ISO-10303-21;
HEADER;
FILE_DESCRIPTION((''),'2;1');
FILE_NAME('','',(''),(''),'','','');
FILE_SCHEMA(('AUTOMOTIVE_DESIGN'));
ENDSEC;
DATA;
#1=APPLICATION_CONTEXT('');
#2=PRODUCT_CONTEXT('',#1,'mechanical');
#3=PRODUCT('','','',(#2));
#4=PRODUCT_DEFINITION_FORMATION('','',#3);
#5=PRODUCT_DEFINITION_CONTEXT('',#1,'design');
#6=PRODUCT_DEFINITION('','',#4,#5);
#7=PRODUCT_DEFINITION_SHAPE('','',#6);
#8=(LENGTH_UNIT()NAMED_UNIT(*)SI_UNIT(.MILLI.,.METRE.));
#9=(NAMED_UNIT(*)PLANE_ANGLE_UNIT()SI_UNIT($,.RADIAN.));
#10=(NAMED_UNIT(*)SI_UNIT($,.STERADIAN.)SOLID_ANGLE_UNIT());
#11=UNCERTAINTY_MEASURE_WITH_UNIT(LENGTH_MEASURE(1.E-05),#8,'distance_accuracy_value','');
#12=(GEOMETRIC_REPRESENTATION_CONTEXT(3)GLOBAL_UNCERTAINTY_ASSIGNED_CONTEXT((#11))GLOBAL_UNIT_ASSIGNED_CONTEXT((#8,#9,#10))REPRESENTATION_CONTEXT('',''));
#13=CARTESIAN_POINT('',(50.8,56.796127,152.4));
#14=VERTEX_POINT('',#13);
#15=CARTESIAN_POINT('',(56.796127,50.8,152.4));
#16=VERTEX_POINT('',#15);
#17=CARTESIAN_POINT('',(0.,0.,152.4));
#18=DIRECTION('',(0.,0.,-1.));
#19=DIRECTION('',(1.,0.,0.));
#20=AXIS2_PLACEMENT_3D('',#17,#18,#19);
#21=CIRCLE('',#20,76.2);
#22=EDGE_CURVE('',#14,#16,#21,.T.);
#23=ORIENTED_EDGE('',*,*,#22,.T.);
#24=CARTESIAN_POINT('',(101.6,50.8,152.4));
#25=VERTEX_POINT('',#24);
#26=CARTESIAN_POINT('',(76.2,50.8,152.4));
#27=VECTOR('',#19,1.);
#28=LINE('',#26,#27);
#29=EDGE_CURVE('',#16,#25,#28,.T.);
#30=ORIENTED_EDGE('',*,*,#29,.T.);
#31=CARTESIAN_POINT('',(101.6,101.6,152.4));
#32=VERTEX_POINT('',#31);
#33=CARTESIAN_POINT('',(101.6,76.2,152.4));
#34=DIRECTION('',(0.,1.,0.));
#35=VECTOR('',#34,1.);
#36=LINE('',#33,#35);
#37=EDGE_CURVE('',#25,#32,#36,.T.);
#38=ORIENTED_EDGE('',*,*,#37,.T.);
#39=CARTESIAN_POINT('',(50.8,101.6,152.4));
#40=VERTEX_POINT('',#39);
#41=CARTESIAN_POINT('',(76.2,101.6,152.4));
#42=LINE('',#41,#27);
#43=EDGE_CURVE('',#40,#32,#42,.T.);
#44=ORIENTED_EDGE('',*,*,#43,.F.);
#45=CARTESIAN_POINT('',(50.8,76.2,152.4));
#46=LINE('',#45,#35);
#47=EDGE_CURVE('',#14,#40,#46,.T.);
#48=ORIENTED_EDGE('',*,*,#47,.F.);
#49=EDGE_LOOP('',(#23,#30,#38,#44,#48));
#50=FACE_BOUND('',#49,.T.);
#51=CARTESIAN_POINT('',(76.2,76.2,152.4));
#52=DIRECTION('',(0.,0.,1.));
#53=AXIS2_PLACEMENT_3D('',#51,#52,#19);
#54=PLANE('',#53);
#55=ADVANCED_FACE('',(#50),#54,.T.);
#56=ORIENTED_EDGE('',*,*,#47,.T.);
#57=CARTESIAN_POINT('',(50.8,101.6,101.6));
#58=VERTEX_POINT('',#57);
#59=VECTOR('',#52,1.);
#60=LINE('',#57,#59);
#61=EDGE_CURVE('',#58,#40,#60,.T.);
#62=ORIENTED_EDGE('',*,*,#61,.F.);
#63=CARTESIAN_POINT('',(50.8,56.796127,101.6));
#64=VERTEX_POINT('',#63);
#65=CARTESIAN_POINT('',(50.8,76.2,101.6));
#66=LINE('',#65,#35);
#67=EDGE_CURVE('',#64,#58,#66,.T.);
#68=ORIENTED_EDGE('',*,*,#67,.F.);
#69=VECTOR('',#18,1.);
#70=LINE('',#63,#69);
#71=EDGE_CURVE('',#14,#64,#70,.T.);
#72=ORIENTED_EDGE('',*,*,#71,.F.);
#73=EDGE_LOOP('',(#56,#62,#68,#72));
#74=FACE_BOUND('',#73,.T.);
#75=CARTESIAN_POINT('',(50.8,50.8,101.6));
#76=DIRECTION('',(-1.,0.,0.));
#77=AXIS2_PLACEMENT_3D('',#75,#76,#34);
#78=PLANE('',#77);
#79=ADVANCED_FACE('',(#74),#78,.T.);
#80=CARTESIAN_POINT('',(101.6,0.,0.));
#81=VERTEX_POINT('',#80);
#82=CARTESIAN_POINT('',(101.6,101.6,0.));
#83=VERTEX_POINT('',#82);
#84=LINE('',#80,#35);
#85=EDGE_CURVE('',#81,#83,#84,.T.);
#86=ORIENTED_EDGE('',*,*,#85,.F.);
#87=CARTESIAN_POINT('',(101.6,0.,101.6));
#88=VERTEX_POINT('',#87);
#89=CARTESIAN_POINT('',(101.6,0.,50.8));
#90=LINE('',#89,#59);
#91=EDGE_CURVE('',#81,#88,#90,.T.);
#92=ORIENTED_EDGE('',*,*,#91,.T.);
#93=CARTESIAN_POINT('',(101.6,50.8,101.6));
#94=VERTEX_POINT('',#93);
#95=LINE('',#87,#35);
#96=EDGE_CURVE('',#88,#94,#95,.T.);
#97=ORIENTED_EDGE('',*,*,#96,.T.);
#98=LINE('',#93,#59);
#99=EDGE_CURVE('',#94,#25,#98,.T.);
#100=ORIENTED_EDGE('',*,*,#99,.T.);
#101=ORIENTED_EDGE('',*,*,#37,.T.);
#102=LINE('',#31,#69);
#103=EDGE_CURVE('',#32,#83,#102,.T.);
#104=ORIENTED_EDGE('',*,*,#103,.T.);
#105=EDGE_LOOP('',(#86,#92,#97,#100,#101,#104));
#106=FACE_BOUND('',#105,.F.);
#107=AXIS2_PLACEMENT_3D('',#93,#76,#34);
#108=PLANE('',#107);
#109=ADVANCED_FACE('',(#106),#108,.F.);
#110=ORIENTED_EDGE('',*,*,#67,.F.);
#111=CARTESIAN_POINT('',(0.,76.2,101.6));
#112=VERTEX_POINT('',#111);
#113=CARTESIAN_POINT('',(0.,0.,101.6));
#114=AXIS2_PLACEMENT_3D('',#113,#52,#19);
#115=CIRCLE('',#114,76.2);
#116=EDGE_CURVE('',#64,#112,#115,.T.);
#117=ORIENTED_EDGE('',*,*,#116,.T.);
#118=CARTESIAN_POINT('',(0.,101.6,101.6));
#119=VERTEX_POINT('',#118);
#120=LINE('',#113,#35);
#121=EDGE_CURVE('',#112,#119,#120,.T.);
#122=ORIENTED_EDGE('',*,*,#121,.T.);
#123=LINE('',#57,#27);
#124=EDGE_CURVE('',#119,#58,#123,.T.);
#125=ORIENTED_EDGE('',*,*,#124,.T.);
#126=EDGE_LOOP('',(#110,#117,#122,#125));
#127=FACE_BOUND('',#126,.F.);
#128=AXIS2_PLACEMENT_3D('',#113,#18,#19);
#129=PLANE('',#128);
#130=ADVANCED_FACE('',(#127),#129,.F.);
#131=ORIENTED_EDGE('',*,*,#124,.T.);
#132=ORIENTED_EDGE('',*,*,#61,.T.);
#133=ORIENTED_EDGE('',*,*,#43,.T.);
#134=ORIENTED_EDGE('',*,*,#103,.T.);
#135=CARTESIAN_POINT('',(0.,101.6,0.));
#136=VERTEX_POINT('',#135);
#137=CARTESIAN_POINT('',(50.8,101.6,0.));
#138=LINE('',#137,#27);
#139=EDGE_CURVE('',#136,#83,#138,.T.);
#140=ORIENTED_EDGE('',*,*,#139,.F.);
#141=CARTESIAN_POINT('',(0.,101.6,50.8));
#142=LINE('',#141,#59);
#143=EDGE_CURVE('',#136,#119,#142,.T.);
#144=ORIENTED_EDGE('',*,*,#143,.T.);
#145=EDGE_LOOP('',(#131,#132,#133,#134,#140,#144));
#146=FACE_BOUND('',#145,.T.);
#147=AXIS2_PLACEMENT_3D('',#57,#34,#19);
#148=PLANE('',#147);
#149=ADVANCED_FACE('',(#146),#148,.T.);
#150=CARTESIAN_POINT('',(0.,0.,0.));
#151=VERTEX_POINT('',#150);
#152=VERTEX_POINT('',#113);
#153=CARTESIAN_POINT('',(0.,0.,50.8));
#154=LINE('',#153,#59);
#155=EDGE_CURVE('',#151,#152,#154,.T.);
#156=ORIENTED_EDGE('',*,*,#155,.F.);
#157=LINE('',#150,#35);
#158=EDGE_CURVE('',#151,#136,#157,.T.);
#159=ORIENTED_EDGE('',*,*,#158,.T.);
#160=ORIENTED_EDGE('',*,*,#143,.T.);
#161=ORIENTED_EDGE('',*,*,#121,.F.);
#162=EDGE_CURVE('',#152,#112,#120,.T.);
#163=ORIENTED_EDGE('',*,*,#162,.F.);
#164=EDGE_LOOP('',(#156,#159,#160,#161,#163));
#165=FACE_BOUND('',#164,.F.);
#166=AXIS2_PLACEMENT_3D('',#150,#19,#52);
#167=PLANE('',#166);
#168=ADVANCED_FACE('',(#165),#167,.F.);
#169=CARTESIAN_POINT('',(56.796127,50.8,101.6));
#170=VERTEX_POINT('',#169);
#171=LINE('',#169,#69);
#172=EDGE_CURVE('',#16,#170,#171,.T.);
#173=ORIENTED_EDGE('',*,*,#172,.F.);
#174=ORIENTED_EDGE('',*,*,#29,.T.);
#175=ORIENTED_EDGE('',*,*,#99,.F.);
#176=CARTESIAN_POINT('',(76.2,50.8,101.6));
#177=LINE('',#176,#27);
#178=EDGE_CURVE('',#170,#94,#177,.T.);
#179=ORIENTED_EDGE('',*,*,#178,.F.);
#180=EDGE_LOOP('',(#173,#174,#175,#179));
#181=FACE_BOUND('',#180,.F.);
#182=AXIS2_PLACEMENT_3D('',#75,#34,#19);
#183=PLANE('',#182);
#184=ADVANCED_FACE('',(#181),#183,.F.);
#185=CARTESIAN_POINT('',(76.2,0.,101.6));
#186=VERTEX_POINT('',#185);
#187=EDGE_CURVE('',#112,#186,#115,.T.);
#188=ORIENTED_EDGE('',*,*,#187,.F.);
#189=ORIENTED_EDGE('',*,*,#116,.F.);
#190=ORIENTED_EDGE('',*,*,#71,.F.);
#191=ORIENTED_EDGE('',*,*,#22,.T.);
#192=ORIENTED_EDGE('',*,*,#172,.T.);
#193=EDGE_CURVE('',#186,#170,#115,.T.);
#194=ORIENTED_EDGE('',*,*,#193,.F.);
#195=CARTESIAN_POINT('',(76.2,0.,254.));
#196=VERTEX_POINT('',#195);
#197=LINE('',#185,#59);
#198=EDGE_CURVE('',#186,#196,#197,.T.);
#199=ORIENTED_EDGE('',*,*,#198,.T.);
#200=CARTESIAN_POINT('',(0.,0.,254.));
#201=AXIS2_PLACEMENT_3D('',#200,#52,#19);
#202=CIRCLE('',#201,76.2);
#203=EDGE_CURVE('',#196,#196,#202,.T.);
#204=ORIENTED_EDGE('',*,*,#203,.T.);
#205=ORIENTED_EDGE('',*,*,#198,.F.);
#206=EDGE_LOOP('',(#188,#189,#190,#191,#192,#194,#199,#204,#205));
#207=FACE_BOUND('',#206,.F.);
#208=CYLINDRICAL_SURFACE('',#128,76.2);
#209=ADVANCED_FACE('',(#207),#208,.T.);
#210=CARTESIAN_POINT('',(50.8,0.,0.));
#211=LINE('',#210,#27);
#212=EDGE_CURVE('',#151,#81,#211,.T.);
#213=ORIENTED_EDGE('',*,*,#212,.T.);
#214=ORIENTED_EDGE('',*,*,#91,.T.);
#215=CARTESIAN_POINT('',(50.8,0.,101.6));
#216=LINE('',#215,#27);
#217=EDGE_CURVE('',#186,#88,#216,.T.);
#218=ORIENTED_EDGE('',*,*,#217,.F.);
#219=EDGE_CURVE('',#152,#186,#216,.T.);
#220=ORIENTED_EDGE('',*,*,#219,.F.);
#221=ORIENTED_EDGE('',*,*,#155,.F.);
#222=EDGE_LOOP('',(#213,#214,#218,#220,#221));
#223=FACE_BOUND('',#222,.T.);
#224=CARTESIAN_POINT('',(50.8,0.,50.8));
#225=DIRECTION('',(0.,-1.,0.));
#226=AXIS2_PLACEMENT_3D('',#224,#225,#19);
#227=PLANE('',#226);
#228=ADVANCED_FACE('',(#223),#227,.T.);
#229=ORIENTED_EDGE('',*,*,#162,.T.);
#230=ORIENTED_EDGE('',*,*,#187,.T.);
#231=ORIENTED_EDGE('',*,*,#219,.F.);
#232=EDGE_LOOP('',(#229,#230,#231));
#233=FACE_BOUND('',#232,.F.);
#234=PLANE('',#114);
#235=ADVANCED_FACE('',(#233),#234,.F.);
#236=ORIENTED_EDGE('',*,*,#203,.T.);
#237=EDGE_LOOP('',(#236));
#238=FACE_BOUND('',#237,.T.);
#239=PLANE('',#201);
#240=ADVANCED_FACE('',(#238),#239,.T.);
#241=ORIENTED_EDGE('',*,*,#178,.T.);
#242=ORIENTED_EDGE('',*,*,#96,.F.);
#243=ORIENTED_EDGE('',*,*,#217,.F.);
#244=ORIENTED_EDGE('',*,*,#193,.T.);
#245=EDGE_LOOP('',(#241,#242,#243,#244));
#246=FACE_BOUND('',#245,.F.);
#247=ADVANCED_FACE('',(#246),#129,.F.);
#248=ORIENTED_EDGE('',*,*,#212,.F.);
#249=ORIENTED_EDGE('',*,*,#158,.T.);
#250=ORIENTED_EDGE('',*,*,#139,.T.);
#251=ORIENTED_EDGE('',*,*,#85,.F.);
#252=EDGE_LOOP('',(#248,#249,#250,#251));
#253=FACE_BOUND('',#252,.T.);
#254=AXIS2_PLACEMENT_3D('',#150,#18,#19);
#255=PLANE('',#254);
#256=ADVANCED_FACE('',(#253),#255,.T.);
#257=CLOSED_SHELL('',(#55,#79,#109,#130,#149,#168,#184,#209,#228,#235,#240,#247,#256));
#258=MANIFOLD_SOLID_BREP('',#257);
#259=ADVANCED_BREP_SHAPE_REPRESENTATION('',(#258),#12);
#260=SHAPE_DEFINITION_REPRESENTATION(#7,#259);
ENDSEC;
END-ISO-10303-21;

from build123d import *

# Parameters (mm, degrees)
F0_W     = 101.6
F0_H     = 101.6
F1_DEPTH = 101.6
F2_R     = 76.2
F3_DEPTH = 152.4
F4_W     = 50.8
F4_H     = 50.8
F5_DEPTH = 50.8


with BuildPart() as f1:
    # F0 (on Front) → F1 (new body)
    with BuildSketch(Plane.XZ):
        with Locations((50.8, 50.8)):
            Rectangle(F0_W, F0_H)
    extrude(amount=-F1_DEPTH)

    # F2 (on face) → F3 (join)
    with BuildSketch(Plane.XY.offset(101.6)):
        Circle(F2_R)
    extrude(amount=F3_DEPTH)

    # F4 (on face) → F5 (join)
    with BuildSketch(Plane.XY.offset(101.6)):
        with Locations((76.2, 76.2)):
            Rectangle(F4_W, F4_H)
    extrude(amount=F5_DEPTH)


solid = f1.part
